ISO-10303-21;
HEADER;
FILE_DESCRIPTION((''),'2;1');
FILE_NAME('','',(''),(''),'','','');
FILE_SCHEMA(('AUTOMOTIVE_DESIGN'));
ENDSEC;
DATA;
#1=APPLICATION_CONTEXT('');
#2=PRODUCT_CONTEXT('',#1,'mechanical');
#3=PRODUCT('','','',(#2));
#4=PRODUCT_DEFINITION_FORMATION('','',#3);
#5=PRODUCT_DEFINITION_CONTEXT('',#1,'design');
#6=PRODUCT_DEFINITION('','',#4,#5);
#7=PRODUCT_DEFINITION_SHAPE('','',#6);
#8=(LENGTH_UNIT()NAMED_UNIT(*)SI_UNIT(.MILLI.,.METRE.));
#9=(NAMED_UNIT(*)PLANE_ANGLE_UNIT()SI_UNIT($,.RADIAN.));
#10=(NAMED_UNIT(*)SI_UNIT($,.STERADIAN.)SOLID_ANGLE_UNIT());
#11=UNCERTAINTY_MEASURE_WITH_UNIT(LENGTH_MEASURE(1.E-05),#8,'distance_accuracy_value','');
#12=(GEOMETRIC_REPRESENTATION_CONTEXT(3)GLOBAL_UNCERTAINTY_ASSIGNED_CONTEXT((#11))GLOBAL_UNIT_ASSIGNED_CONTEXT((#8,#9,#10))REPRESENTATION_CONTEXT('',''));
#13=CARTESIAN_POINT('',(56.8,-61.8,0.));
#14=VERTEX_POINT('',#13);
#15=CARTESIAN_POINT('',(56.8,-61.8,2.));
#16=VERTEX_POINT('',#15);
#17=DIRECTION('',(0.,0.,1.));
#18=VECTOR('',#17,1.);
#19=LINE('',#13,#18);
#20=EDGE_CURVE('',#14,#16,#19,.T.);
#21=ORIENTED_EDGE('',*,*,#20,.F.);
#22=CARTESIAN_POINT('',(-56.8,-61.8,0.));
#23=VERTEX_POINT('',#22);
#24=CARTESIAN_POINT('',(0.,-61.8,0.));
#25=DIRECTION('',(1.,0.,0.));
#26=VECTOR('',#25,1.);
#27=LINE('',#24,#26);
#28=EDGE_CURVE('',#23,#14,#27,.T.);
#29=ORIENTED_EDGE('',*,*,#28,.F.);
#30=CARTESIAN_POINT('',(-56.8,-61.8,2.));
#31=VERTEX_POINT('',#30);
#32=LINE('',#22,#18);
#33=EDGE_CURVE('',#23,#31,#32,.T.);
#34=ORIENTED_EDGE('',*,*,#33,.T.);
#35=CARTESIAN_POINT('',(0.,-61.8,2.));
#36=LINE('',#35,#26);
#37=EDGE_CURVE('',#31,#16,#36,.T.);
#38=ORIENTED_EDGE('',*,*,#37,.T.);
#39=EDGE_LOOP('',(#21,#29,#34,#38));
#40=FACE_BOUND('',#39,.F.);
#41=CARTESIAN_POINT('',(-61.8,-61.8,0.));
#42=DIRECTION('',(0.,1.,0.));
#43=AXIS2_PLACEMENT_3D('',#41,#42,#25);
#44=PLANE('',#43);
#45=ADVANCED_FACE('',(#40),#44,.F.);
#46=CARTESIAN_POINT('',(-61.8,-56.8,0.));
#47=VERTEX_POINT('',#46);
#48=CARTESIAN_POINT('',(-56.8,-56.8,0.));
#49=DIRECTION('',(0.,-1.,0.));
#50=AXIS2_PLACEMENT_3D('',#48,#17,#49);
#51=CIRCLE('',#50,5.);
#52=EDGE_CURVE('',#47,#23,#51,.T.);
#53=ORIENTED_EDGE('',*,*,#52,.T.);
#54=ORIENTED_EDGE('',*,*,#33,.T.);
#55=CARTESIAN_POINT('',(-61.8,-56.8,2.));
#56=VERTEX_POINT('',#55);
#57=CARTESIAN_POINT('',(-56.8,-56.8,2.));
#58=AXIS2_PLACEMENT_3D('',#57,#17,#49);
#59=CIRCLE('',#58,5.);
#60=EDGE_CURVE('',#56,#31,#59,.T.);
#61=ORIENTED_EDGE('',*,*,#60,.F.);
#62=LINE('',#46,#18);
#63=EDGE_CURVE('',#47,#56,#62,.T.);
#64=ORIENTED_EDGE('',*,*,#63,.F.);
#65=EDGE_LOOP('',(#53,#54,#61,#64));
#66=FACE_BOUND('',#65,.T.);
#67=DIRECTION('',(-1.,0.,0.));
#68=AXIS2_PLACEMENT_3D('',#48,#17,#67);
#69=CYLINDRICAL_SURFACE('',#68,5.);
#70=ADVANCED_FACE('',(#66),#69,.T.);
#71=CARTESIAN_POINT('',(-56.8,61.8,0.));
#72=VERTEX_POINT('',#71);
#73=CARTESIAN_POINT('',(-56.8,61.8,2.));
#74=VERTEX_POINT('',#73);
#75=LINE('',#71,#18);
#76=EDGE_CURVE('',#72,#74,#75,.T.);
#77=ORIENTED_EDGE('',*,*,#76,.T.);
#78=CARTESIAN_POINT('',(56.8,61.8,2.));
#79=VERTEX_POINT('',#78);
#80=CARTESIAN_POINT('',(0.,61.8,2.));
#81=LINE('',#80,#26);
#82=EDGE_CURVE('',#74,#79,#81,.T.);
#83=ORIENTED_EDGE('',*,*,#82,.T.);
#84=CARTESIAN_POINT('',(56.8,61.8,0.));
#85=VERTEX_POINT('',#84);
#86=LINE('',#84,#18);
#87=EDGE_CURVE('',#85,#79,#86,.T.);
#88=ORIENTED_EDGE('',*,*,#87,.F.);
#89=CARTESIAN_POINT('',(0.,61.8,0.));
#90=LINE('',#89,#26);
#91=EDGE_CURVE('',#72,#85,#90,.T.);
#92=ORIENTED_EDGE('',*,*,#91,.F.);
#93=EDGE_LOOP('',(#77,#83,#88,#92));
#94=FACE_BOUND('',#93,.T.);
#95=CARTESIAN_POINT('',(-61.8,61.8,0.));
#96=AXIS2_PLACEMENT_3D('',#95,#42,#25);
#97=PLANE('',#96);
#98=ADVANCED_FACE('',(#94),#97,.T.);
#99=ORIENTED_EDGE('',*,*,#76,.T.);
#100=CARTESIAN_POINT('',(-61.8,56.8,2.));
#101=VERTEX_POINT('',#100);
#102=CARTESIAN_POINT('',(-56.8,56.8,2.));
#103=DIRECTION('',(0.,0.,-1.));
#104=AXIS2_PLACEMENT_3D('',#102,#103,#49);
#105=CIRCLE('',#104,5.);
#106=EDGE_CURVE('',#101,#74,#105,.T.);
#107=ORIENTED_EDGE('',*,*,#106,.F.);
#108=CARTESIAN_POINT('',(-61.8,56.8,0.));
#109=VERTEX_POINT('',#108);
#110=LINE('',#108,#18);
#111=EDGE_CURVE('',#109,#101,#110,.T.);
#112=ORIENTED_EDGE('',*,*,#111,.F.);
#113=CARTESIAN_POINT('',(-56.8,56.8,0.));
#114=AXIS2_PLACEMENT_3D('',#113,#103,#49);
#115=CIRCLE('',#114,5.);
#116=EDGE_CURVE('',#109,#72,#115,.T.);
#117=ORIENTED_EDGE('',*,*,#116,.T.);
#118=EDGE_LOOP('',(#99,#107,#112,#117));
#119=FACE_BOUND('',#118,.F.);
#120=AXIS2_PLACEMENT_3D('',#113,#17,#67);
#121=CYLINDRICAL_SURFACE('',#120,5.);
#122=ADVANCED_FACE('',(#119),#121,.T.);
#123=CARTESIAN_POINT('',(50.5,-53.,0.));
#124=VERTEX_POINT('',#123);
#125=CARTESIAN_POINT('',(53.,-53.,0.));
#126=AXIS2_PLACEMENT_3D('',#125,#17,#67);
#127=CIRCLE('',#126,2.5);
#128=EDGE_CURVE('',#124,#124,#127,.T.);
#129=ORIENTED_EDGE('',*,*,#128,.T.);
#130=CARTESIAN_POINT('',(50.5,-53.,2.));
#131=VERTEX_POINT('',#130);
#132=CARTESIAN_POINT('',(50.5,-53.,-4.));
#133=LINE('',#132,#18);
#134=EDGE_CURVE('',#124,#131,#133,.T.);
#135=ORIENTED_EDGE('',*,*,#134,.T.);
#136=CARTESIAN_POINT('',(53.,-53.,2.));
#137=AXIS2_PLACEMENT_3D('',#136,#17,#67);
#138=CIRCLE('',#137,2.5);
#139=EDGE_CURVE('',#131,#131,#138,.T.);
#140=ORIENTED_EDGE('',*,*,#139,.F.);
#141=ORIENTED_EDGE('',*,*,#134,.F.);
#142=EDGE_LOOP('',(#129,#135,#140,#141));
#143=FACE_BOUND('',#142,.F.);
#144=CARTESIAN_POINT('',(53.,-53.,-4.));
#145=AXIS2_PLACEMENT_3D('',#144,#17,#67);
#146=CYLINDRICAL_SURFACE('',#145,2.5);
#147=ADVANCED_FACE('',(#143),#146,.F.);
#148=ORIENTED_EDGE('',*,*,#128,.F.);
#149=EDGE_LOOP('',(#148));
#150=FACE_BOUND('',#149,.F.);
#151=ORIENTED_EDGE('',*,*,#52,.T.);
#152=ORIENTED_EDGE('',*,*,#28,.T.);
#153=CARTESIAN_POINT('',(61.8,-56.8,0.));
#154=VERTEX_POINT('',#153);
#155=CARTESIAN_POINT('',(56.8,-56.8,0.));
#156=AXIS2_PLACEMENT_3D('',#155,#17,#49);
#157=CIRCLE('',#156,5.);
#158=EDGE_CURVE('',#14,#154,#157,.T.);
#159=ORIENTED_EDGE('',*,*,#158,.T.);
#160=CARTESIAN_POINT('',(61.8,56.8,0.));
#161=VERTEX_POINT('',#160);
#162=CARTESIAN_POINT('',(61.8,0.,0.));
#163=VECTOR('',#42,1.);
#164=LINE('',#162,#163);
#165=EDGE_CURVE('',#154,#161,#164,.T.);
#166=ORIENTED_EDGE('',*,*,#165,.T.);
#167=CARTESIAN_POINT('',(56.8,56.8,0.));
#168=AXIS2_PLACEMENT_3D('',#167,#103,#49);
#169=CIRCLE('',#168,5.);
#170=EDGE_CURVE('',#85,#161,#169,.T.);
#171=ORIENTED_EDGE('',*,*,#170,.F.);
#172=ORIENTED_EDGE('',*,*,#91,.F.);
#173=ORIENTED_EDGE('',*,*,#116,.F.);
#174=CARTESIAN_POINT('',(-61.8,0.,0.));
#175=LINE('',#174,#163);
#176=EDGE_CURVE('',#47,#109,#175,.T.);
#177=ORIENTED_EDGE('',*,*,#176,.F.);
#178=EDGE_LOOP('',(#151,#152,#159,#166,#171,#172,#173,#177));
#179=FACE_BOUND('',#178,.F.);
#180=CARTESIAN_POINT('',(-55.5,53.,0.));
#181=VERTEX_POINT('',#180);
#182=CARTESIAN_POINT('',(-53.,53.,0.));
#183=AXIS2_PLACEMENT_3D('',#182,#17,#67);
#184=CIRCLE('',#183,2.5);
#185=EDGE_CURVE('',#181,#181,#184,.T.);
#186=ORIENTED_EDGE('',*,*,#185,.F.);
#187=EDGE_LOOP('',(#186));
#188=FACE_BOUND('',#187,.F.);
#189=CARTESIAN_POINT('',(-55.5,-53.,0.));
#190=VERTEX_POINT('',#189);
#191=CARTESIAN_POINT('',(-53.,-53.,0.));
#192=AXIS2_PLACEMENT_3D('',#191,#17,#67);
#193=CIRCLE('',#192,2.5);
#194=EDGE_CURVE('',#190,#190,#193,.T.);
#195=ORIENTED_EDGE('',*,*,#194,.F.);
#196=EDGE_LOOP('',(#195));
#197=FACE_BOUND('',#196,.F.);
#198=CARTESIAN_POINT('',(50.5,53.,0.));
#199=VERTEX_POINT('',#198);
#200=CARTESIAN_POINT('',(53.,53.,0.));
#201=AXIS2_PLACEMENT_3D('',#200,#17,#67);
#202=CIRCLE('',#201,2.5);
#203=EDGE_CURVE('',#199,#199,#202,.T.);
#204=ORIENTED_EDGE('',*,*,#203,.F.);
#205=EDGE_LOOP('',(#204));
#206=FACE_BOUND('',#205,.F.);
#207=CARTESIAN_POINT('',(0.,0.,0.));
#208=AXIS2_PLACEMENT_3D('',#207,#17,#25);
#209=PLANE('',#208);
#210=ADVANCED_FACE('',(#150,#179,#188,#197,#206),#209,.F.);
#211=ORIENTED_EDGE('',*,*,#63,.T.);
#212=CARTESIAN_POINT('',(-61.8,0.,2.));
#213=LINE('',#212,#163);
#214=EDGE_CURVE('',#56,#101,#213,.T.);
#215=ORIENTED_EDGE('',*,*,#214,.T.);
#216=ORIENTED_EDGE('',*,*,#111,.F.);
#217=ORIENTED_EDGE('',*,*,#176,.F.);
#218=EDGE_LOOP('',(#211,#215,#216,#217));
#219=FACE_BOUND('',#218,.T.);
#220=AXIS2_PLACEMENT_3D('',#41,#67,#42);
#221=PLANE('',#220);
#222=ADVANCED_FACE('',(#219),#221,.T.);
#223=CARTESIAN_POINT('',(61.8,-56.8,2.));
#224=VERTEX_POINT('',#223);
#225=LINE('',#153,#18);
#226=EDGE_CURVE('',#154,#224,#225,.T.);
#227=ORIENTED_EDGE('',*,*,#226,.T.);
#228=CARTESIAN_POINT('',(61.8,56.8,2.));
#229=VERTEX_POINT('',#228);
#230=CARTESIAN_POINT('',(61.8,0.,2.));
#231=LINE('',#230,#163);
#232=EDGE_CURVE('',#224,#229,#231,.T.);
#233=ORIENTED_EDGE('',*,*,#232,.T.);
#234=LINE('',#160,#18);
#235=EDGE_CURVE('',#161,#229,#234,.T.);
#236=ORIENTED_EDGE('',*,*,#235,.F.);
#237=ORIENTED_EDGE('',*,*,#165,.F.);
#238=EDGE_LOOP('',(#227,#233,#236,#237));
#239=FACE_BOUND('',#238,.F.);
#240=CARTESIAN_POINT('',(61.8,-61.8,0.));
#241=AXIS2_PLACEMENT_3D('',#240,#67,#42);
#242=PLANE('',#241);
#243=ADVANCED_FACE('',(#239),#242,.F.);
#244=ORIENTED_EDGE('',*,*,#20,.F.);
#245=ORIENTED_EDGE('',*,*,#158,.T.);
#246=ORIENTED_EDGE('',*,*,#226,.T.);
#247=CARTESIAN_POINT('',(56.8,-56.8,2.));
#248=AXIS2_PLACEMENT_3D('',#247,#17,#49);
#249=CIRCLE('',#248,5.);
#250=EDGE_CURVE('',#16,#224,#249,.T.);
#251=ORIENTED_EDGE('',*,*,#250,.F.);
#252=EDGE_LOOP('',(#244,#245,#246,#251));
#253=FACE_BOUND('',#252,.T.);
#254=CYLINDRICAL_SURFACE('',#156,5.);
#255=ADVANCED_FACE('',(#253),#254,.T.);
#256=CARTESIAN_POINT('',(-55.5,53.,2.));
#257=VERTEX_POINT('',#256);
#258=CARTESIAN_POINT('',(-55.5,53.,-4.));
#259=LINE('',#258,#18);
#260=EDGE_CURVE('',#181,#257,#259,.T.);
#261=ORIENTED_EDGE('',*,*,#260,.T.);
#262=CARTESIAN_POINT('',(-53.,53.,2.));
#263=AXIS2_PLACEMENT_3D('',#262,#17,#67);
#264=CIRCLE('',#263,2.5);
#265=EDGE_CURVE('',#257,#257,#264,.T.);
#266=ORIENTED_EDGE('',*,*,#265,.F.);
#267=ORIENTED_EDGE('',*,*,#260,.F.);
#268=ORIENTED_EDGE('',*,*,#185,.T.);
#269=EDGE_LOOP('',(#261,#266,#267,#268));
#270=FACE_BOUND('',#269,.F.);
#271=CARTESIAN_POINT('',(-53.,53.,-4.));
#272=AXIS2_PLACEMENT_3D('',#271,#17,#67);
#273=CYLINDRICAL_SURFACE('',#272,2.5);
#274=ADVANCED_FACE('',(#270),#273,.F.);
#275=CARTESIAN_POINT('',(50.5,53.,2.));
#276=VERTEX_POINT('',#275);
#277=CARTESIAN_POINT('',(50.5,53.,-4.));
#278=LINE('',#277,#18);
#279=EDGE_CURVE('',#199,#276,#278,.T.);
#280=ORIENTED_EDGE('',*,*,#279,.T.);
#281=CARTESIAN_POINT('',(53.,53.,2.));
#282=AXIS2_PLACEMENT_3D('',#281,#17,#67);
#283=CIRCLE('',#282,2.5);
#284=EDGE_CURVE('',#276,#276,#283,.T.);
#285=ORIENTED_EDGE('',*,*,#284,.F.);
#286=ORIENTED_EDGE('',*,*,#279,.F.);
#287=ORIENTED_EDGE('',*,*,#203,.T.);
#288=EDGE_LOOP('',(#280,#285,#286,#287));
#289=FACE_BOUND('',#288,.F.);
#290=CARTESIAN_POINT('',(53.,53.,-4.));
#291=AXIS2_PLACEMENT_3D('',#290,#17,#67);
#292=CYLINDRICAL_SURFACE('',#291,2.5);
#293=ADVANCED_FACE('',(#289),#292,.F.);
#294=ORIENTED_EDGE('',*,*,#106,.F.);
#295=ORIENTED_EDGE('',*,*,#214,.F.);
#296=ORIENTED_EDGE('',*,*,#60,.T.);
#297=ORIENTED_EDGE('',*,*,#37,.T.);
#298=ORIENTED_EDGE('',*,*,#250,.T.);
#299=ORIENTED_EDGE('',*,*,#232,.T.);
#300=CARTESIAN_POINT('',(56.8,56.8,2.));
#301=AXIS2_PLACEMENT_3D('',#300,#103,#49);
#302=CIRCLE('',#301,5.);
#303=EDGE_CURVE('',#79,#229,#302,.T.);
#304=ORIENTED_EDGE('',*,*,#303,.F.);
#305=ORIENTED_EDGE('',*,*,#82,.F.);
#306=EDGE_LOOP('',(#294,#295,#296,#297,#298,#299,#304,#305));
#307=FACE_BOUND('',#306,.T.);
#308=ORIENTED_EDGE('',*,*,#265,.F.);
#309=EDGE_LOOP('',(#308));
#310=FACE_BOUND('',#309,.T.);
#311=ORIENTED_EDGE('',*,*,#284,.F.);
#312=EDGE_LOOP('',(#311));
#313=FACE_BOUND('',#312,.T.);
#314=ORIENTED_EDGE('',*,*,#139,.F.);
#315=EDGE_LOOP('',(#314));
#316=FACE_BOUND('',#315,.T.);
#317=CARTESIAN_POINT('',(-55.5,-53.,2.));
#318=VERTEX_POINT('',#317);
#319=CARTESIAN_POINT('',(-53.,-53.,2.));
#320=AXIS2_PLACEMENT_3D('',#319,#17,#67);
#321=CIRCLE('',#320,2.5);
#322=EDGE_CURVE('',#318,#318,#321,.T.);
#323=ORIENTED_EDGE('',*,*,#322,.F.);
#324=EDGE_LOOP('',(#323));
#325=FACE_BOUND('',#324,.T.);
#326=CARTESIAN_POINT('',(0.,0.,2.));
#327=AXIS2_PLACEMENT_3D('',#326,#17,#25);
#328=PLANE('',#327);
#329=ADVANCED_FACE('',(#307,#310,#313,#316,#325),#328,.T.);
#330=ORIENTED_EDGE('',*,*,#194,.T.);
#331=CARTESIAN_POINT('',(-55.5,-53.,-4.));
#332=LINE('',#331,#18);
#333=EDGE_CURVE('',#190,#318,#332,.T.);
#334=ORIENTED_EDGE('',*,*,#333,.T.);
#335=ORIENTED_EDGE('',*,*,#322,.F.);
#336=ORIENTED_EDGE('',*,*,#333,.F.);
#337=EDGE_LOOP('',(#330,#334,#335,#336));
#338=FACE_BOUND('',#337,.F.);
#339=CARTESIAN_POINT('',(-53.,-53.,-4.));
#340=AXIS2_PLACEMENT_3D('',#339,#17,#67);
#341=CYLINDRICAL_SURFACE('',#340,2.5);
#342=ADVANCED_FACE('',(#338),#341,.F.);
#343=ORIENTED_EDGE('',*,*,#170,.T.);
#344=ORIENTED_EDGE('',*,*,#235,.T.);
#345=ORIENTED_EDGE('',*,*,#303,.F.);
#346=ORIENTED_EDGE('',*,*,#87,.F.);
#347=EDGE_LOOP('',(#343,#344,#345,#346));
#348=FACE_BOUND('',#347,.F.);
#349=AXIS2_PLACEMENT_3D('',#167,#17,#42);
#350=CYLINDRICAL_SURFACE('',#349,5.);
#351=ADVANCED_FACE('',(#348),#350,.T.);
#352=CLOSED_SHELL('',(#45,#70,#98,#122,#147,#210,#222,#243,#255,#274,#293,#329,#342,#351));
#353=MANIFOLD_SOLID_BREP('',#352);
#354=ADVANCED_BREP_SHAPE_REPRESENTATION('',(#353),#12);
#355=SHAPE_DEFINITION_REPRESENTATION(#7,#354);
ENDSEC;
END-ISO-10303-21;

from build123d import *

# Parameters (mm, degrees)
F0_W     = 123.6
F0_H     = 123.6
F1_DEPTH = 2
F2_D     = 5
F2_DEPTH = 4
F3_R     = 5


with BuildPart() as f1:
    # F0 (on Top) → F1 (new body)
    with BuildSketch(Plane.XY):
        Rectangle(F0_W, F0_H)
    extrude(amount=F1_DEPTH)

    # F2
    with Locations(Plane(origin=(0, 0, 0), x_dir=(1, 0, 0), z_dir=(0, 0, -1))):
        with Locations((-53, 53), (53, 53), (-53, -53), (53, -53)):
            Hole(F2_D / 2, depth=F2_DEPTH)

    # F3
    f3_edges = [f1.edges().sort_by_distance(p)[0] for p in [
        (61.8, -61.8, 1),
        (-61.8, -61.8, 1),
        (-61.8, 61.8, 1),
        (61.8, 61.8, 1),
    ]]
    fillet(f3_edges, radius=F3_R)


solid = f1.part
